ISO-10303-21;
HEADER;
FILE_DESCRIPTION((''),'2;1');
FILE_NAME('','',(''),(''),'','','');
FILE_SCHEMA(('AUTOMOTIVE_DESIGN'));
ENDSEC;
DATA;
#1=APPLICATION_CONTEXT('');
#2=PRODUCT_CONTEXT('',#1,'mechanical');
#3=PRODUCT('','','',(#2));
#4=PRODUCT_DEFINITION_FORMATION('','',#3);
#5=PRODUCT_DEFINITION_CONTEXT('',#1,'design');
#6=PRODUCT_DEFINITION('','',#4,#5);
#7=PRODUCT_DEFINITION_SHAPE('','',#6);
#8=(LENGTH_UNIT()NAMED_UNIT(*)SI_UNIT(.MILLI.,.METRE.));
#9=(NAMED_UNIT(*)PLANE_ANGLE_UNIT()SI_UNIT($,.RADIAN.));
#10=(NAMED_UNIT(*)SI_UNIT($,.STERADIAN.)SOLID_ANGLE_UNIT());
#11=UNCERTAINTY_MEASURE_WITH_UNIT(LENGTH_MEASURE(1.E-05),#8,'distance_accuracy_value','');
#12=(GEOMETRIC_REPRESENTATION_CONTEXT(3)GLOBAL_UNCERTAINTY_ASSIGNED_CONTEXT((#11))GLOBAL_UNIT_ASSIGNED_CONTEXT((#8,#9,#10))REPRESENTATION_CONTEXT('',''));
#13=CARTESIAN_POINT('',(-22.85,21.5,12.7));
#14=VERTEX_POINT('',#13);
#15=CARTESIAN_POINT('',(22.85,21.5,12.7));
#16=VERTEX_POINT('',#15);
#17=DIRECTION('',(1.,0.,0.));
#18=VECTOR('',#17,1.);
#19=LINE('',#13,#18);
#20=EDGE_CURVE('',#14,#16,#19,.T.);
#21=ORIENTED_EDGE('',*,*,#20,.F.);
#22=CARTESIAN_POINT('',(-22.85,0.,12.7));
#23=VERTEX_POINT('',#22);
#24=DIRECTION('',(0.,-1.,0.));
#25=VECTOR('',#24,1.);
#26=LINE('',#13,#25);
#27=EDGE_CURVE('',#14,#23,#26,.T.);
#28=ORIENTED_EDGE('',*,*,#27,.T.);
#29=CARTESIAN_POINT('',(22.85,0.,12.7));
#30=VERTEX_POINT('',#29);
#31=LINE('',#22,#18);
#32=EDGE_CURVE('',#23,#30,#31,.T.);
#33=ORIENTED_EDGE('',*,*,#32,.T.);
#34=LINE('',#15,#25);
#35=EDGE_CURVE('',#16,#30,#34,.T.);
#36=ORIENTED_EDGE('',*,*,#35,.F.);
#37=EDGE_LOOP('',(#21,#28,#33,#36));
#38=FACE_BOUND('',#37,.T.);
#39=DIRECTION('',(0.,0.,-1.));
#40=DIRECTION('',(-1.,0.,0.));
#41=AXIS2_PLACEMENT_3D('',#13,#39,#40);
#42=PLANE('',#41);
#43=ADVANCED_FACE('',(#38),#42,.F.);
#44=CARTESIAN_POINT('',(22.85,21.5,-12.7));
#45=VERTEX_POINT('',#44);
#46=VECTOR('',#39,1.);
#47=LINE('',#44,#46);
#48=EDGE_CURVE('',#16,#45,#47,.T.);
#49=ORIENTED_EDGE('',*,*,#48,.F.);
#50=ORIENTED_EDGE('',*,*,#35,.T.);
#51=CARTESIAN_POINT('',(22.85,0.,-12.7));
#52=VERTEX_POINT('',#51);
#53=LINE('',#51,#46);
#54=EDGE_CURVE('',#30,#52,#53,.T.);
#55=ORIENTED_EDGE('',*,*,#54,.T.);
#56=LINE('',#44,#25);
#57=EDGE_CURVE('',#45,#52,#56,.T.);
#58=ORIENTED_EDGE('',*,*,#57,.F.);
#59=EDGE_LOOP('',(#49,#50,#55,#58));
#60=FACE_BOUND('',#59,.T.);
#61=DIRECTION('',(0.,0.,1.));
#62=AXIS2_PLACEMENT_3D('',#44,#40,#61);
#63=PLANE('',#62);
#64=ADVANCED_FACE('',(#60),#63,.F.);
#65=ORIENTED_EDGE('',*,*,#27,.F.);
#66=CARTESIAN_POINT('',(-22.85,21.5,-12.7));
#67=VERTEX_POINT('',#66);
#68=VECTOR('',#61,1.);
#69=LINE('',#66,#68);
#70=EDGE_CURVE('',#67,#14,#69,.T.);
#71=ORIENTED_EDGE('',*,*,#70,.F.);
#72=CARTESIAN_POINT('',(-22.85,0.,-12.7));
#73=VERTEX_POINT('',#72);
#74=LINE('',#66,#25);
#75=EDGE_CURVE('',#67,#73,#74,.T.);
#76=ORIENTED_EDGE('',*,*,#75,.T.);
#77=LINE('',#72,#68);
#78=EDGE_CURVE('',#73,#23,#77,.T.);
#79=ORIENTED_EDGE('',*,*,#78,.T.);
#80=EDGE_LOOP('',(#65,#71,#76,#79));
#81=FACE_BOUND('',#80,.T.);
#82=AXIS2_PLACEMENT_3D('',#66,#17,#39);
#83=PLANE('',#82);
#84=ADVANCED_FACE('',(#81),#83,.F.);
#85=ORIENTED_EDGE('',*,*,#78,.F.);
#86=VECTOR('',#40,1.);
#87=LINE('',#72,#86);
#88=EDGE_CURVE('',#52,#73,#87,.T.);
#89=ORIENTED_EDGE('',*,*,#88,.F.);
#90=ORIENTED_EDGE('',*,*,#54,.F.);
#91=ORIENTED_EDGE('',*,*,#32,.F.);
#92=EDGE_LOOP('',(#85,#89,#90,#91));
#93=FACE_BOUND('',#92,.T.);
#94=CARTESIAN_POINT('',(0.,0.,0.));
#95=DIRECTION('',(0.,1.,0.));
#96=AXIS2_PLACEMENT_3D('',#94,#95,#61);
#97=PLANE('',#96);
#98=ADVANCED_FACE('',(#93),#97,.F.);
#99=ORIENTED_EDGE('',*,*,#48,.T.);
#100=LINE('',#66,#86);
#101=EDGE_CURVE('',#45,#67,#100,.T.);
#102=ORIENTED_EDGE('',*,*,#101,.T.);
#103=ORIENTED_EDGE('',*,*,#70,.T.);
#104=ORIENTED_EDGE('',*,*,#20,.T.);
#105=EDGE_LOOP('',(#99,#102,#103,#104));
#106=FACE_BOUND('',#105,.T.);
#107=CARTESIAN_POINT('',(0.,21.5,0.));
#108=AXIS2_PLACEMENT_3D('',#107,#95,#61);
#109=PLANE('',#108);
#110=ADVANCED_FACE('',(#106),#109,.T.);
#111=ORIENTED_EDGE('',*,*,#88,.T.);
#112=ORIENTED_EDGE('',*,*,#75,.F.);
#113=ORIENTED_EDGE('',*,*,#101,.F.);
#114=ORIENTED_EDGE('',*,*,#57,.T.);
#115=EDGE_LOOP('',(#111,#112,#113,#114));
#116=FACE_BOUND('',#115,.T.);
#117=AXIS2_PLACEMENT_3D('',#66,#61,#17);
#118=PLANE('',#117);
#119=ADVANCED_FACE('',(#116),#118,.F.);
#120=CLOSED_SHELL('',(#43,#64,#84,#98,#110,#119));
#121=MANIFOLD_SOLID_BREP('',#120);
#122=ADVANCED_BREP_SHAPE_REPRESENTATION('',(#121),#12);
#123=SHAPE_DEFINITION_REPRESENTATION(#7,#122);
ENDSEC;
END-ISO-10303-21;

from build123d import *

# Parameters (mm, degrees)
SKETCH_1_W      = 45.7
SKETCH_1_H      = 25.4
EXTRUDE_1_DEPTH = 21.5


with BuildPart() as part:
    # Эскиз1 → Бобышка-Вытянуть1 (new body)
    with BuildSketch(Plane(origin=(0, 0, 0), x_dir=(1, 0, 0), z_dir=(0, 1, 0))):
        Rectangle(SKETCH_1_W, SKETCH_1_H)
    extrude(amount=EXTRUDE_1_DEPTH)


solid = part.part
